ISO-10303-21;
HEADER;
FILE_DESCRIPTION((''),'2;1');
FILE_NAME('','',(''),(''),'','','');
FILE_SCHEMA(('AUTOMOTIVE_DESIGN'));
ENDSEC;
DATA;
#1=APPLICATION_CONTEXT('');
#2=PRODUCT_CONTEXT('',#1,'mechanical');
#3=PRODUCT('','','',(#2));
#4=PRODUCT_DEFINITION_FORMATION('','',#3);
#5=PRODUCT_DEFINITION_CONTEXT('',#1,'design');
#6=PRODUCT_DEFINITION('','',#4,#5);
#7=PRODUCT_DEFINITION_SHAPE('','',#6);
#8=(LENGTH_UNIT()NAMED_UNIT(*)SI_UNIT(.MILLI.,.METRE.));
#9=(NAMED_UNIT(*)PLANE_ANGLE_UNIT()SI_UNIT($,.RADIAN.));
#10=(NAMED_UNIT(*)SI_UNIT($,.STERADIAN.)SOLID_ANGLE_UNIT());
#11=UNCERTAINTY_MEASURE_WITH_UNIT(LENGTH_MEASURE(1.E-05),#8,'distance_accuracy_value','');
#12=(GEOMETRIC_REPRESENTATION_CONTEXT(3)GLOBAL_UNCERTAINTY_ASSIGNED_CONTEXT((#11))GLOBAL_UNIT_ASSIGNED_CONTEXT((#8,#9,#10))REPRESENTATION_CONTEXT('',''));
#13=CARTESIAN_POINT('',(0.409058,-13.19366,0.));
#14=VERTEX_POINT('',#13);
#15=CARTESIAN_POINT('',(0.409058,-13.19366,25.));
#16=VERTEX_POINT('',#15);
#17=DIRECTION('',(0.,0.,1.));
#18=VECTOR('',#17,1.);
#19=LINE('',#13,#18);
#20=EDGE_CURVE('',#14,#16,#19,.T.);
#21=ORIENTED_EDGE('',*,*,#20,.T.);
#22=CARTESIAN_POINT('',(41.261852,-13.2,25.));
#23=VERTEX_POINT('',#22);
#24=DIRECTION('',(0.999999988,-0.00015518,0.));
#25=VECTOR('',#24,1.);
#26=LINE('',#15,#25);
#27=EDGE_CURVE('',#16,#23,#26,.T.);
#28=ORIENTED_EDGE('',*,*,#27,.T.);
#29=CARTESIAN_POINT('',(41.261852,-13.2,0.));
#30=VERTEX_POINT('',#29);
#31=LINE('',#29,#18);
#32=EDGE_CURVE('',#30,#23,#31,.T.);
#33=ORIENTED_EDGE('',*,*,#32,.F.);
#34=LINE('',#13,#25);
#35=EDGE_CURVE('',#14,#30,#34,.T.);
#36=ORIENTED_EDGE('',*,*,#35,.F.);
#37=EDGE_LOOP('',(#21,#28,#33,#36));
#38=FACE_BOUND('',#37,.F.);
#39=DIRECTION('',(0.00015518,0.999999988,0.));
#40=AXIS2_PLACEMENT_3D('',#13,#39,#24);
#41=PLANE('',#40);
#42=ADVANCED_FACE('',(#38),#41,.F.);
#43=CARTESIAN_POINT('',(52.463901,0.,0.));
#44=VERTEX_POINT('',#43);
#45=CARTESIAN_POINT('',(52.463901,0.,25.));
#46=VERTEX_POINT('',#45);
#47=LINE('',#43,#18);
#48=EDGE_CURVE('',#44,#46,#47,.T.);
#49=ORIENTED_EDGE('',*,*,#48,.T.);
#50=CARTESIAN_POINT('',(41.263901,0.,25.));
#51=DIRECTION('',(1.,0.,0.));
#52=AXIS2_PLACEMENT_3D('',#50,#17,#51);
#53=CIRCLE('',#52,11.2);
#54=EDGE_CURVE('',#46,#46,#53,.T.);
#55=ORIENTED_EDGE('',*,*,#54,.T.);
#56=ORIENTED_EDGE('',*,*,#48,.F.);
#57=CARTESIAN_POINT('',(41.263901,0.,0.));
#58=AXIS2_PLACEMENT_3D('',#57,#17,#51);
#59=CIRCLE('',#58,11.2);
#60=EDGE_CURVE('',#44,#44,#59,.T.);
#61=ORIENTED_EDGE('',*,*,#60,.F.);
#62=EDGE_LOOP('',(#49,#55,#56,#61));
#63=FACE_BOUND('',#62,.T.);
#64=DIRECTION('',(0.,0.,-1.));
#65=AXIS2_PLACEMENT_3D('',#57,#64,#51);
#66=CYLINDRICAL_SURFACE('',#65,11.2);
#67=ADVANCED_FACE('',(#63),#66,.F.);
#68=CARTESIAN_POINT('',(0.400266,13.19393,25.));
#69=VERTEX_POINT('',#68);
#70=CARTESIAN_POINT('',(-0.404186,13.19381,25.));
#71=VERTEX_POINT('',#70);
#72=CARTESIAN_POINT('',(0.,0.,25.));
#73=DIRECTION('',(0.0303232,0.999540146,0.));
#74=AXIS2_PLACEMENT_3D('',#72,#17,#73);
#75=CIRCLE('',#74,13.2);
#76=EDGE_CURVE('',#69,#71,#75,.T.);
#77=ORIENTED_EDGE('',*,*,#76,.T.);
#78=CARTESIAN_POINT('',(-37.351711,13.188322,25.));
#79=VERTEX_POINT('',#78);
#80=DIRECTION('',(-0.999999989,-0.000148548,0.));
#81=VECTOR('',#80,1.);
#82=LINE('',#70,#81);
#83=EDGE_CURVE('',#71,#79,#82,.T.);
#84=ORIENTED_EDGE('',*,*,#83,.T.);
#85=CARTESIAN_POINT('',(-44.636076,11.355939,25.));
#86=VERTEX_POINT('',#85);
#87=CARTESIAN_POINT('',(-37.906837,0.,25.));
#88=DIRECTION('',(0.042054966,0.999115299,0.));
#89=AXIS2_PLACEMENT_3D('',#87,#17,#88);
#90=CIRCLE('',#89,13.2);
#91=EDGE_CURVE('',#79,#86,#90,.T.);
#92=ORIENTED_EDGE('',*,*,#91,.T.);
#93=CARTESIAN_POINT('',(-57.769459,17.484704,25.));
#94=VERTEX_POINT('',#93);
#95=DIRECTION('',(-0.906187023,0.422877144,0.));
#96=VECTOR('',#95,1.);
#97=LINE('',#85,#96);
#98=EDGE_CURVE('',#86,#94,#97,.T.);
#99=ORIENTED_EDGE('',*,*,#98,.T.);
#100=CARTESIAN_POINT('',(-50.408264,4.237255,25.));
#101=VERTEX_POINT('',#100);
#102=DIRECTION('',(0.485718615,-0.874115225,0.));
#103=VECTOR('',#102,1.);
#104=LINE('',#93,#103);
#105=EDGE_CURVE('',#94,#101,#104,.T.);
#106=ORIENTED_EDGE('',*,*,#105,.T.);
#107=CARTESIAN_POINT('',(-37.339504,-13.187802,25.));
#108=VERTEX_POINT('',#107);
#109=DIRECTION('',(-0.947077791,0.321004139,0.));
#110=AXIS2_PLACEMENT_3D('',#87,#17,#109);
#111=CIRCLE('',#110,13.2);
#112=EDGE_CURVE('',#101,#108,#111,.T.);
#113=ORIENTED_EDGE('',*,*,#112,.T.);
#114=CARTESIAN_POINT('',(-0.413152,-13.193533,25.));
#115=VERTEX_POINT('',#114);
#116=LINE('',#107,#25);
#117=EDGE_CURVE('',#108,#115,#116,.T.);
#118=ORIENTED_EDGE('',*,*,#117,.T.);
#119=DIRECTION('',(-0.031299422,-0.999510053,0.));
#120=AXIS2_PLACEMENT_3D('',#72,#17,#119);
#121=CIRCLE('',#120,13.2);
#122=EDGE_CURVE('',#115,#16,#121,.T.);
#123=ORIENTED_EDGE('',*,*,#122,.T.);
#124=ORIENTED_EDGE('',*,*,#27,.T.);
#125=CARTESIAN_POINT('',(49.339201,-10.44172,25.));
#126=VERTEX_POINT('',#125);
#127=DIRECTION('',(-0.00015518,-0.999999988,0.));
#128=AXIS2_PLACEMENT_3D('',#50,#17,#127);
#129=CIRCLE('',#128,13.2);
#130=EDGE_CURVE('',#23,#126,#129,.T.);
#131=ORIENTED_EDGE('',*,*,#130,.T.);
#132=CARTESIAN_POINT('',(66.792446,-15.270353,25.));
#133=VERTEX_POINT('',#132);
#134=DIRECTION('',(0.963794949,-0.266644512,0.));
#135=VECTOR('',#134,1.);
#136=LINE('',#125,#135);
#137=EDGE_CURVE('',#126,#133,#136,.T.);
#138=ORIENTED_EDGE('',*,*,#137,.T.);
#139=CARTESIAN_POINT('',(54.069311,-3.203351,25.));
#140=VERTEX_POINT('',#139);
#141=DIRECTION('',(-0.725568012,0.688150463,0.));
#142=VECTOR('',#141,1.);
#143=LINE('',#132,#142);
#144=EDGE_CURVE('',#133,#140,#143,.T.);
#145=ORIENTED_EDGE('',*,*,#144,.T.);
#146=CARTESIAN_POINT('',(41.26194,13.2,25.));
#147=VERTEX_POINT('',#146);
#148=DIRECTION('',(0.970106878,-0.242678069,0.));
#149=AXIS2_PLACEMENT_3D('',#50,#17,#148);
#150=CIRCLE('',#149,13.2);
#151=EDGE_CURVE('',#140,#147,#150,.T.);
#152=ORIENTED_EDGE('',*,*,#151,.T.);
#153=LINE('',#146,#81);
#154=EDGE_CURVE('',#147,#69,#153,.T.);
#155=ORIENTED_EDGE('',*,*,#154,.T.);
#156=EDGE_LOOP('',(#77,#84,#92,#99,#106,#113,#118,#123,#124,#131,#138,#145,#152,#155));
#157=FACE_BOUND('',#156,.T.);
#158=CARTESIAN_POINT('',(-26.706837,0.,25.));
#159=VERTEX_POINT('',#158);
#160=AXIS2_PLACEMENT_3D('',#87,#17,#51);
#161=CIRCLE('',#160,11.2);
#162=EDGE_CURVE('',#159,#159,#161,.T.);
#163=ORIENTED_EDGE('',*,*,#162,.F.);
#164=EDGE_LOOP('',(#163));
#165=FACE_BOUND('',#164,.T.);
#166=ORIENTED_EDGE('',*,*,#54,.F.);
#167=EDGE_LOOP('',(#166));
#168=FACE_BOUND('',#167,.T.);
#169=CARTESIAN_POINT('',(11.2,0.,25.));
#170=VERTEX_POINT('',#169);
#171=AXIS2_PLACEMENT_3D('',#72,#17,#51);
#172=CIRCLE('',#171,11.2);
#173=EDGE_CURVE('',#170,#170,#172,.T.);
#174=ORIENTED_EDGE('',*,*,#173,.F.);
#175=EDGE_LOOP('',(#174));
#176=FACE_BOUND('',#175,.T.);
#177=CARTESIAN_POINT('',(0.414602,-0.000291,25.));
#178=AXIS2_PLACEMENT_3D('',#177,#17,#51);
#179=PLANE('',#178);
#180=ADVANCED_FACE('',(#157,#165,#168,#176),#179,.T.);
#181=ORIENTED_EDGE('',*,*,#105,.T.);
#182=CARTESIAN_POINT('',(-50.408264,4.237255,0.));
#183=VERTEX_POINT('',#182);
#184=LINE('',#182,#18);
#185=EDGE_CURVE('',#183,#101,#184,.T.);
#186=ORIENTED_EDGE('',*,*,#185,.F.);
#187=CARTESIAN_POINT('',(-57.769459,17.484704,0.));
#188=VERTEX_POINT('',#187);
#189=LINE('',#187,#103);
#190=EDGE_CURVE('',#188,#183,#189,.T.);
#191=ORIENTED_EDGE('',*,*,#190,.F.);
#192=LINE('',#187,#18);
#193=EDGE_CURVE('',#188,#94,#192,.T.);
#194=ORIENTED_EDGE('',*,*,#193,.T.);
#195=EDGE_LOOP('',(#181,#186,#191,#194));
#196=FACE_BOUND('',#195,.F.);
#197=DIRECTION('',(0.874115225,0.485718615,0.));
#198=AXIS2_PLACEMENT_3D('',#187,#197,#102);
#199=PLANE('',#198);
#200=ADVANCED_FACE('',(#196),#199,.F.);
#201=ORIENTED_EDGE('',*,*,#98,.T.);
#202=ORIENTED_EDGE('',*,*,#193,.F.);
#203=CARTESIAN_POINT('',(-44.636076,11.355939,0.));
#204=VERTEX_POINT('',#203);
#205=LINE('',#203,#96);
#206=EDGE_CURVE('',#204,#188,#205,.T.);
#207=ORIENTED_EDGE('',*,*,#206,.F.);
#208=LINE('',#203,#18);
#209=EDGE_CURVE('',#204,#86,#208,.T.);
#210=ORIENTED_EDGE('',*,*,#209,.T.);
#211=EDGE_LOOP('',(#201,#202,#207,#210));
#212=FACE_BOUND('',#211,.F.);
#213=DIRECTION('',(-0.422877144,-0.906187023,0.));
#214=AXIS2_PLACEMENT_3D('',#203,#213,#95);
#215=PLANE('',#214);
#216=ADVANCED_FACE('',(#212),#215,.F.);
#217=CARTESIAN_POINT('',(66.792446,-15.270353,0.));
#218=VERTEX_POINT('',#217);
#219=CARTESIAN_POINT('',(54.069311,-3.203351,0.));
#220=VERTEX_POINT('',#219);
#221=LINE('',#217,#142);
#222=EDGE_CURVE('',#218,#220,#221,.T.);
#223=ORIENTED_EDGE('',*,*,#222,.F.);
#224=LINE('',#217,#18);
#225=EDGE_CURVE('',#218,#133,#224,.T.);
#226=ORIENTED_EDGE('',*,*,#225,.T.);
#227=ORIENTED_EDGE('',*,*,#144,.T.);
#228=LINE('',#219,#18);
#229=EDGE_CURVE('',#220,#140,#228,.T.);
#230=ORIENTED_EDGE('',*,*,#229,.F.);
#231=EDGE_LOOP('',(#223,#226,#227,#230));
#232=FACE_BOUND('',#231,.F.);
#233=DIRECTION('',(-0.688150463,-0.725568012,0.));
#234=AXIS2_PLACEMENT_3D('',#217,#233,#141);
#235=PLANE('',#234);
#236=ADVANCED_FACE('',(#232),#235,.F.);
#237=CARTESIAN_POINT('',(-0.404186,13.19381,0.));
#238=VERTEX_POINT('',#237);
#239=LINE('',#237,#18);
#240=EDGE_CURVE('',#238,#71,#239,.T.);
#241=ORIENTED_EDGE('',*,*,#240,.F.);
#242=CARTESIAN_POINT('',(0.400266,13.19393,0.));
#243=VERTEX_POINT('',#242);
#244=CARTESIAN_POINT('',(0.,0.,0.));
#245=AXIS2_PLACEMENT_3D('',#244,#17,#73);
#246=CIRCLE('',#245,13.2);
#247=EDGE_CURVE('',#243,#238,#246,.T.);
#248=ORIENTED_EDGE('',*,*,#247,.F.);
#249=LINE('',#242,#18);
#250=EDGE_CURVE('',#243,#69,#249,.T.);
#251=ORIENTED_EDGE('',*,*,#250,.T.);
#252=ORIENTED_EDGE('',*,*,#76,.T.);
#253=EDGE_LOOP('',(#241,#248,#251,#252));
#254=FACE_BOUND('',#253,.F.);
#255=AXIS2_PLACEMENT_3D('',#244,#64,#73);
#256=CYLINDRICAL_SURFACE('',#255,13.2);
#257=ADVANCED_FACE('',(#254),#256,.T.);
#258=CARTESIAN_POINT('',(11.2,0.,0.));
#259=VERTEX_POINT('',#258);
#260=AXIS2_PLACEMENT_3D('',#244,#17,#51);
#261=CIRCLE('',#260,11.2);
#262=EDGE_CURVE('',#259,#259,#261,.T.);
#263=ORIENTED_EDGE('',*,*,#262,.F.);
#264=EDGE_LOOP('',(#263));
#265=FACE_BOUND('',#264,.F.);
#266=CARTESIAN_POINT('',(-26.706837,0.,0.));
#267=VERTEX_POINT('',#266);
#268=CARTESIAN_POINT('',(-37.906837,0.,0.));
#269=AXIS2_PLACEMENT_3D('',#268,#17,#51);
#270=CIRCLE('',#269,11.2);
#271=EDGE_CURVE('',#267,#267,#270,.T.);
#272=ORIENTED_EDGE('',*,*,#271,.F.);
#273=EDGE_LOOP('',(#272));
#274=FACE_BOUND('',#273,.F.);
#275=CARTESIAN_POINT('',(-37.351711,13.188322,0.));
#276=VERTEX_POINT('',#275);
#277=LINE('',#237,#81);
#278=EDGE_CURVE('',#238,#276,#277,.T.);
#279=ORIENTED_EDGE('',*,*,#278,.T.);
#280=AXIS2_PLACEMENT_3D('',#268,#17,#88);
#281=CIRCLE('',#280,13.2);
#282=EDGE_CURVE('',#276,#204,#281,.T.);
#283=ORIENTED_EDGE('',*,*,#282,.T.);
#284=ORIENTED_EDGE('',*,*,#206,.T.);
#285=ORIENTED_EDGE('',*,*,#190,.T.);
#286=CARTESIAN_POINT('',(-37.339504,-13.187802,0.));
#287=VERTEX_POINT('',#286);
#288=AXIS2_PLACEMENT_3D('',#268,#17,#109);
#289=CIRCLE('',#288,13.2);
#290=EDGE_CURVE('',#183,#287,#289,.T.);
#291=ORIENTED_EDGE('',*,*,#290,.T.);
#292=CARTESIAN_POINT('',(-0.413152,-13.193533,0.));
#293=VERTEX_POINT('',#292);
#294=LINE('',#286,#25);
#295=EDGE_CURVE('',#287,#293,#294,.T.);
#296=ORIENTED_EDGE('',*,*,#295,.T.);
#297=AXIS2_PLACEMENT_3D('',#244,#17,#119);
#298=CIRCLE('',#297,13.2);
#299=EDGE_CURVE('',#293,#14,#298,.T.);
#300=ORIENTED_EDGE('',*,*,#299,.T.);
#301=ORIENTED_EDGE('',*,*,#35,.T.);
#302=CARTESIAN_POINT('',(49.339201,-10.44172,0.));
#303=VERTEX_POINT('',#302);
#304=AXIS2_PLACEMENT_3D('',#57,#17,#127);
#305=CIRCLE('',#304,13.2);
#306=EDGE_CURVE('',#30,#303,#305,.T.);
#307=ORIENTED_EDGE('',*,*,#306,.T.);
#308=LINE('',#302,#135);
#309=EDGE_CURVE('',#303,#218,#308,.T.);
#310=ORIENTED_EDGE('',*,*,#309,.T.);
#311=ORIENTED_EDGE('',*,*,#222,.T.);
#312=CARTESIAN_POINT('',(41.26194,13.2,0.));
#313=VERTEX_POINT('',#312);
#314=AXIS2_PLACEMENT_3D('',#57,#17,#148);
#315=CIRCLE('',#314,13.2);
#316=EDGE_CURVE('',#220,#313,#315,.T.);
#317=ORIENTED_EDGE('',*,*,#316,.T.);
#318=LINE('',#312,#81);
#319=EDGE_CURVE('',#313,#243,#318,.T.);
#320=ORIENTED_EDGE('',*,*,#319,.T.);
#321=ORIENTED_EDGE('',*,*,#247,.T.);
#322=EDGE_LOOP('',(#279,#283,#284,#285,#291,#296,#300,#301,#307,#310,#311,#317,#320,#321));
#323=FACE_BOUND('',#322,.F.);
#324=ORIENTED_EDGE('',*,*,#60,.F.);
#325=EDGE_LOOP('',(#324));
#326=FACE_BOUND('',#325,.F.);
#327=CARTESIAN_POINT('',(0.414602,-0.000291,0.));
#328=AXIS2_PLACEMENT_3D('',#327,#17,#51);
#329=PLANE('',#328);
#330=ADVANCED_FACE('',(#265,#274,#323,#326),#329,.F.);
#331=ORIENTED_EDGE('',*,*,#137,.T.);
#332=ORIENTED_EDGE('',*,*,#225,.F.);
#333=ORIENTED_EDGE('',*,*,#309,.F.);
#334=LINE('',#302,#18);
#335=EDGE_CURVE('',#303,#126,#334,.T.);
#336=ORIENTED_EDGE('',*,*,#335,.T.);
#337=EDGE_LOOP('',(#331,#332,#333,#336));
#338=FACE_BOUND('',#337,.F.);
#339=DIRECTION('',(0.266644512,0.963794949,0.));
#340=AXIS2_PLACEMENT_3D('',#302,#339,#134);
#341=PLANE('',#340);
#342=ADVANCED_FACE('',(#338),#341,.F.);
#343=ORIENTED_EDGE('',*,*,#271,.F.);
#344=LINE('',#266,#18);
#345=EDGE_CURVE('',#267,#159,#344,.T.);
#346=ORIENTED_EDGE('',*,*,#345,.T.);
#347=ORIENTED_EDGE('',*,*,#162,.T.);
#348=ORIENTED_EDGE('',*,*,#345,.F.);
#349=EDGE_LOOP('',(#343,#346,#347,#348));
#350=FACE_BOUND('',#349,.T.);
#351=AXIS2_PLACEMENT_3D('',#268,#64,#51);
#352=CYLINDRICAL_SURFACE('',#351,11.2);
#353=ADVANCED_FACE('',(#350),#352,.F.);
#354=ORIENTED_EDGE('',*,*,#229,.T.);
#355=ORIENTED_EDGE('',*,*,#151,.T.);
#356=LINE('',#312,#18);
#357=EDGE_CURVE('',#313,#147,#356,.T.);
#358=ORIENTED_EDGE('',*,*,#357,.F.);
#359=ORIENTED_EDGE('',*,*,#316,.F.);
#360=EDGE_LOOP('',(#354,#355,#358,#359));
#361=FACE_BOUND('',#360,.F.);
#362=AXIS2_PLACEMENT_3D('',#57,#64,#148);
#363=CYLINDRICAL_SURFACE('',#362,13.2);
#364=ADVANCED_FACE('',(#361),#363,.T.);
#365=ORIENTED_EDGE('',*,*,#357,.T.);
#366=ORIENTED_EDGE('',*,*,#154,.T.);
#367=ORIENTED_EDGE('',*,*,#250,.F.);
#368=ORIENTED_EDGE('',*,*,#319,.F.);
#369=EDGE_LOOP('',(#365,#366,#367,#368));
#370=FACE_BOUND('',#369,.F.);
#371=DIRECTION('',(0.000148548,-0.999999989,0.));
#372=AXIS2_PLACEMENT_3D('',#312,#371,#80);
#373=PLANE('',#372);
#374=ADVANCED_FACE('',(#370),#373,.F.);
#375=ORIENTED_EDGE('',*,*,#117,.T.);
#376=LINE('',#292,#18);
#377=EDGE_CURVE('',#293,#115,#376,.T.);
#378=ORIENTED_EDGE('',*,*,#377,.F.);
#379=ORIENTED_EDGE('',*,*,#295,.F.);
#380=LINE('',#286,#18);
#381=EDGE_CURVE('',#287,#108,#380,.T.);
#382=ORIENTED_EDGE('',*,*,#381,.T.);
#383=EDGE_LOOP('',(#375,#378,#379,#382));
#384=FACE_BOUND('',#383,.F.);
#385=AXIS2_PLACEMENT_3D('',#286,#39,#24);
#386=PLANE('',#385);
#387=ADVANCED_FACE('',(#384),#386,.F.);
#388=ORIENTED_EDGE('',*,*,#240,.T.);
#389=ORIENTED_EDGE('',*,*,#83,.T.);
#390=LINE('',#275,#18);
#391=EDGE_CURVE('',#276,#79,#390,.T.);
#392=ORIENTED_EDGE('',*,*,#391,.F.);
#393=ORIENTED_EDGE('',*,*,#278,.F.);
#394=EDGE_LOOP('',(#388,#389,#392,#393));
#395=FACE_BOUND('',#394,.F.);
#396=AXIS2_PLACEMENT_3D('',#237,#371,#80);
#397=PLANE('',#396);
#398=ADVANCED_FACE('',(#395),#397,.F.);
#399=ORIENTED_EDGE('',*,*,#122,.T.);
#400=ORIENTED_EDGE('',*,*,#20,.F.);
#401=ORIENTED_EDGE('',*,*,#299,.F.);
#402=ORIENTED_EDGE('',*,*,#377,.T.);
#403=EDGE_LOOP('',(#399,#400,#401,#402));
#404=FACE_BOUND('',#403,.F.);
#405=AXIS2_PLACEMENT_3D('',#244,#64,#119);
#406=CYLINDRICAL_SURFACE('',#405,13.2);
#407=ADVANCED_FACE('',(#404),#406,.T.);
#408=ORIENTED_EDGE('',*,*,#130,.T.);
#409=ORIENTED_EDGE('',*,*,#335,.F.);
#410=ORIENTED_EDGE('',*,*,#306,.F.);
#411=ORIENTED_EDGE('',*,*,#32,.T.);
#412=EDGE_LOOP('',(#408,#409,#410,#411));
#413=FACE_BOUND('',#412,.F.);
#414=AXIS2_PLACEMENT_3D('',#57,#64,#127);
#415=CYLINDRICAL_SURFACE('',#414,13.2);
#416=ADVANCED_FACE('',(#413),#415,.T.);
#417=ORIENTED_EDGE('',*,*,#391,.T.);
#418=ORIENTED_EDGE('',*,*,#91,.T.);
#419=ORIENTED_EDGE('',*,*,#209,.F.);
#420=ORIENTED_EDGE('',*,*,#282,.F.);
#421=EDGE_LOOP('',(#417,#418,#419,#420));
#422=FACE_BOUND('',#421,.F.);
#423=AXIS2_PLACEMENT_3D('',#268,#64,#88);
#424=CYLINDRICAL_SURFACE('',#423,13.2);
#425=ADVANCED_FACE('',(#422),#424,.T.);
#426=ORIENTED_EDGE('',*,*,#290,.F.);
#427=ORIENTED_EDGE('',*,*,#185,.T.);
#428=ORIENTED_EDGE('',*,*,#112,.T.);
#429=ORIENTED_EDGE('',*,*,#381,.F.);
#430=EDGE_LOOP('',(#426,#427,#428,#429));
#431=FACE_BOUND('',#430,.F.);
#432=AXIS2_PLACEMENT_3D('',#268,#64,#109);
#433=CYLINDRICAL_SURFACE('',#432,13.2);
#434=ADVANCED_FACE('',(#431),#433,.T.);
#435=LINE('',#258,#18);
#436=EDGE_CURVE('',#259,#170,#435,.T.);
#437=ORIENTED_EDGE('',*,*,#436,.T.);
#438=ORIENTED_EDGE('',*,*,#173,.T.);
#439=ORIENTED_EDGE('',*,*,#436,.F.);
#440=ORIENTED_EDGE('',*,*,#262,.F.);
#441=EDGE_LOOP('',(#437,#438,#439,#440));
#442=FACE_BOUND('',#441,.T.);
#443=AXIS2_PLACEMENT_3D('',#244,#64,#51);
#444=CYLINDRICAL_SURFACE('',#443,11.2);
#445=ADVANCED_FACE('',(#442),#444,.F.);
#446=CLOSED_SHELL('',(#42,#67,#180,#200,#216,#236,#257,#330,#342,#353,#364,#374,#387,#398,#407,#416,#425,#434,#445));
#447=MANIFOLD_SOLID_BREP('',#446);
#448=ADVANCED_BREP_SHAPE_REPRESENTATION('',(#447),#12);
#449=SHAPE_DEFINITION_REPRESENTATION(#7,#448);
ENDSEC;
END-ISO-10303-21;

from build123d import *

# Parameters (mm, degrees)
F0_R     = 11.2
F1_DEPTH = 25


with BuildPart() as f1:
    # F0 (on Top) → F1 (new body)
    with BuildSketch(Plane.XY):
        with BuildLine():
            ThreePointArc((0.4090575961, -13.1936602913), (9.4773297998, -9.1880476635), (13.2, 0))
            ThreePointArc((13.2, 0), (9.4742681583, 9.1912046471), (0.4002662325, 13.1939299279))
            Line((0.4002662325, 13.1939299279), (-0.4041860828, 13.193810428))
            ThreePointArc((-0.4041860828, 13.193810428), (-13.199999238, 0.0044852933), (-0.4131523691, -13.1935327005))
            Line((-0.4131523691, -13.1935327005), (0.4090575961, -13.1936602913))
        make_face()
        Circle(F0_R, mode=Mode.SUBTRACT)
        with BuildLine():
            ThreePointArc((0.4002662325, 13.1939299279), (9.4742681583, 9.1912046471), (13.2, 0))
            ThreePointArc((13.2, 0), (9.4773297998, -9.1880476635), (0.4090575961, -13.1936602913))
            Line((0.4090575961, -13.1936602913), (41.261852317, -13.1999998411))
            ThreePointArc((41.261852317, -13.1999998411), (45.5296218182, -12.4917422051), (49.3392012291, -10.441720228))
            ThreePointArc((49.3392012291, -10.441720228), (52.3137660961, -7.2208361473), (54.069311486, -3.2033505164))
            ThreePointArc((54.069311486, -3.2033505164), (51.6682055045, 8.123450097), (41.2619398615, 13.1999998544))
            Line((41.2619398615, 13.1999998544), (0.4002662325, 13.1939299279))
        make_face()
        with Locations((41.2639006972, 0)):
            Circle(F0_R, mode=Mode.SUBTRACT)
        with BuildLine():
            Line((-0.4041860828, 13.193810428), (0.4002662325, 13.1939299279))
            ThreePointArc((0.4002662325, 13.1939299279), (-0.0019608357, 13.1999998544), (-0.4041860828, 13.193810428))
        make_face()
        with BuildLine():
            ThreePointArc((-0.4131523691, -13.1935327005), (-0.0020483802, -13.1999998411), (0.4090575961, -13.1936602913))
            Line((0.4090575961, -13.1936602913), (-0.4131523691, -13.1935327005))
        make_face()
        with BuildLine():
            ThreePointArc((-0.4131523691, -13.1935327005), (-13.199999238, 0.0044852933), (-0.4041860828, 13.193810428))
            Line((-0.4041860828, 13.193810428), (-37.351711168, 13.1883219412))
            ThreePointArc((-37.351711168, 13.1883219412), (-41.126980467, 12.8011981563), (-44.6360755538, 11.3559387412))
            ThreePointArc((-44.6360755538, 11.3559387412), (-48.159813921, 8.3136308843), (-50.4082635652, 4.2372546291))
            ThreePointArc((-50.4082635652, 4.2372546291), (-48.4668464085, -7.9199870797), (-37.3395040624, -13.1878024575))
            Line((-37.3395040624, -13.1878024575), (-0.4131523691, -13.1935327005))
        make_face()
        with Locations((-37.9068367183, 0)):
            Circle(F0_R, mode=Mode.SUBTRACT)
        with BuildLine():
            Line((66.792446271, -15.2703531355), (54.069311486, -3.2033505164))
            ThreePointArc((54.069311486, -3.2033505164), (52.3137660961, -7.2208361473), (49.3392012291, -10.441720228))
            Line((49.3392012291, -10.441720228), (66.792446271, -15.2703531355))
        make_face()
        with BuildLine():
            ThreePointArc((-50.4082635652, 4.2372546291), (-48.159813921, 8.3136308843), (-44.6360755538, 11.3559387412))
            Line((-44.6360755538, 11.3559387412), (-57.7694587409, 17.4847040325))
            Line((-57.7694587409, 17.4847040325), (-50.4082635652, 4.2372546291))
        make_face()
    extrude(amount=F1_DEPTH)


solid = f1.part
